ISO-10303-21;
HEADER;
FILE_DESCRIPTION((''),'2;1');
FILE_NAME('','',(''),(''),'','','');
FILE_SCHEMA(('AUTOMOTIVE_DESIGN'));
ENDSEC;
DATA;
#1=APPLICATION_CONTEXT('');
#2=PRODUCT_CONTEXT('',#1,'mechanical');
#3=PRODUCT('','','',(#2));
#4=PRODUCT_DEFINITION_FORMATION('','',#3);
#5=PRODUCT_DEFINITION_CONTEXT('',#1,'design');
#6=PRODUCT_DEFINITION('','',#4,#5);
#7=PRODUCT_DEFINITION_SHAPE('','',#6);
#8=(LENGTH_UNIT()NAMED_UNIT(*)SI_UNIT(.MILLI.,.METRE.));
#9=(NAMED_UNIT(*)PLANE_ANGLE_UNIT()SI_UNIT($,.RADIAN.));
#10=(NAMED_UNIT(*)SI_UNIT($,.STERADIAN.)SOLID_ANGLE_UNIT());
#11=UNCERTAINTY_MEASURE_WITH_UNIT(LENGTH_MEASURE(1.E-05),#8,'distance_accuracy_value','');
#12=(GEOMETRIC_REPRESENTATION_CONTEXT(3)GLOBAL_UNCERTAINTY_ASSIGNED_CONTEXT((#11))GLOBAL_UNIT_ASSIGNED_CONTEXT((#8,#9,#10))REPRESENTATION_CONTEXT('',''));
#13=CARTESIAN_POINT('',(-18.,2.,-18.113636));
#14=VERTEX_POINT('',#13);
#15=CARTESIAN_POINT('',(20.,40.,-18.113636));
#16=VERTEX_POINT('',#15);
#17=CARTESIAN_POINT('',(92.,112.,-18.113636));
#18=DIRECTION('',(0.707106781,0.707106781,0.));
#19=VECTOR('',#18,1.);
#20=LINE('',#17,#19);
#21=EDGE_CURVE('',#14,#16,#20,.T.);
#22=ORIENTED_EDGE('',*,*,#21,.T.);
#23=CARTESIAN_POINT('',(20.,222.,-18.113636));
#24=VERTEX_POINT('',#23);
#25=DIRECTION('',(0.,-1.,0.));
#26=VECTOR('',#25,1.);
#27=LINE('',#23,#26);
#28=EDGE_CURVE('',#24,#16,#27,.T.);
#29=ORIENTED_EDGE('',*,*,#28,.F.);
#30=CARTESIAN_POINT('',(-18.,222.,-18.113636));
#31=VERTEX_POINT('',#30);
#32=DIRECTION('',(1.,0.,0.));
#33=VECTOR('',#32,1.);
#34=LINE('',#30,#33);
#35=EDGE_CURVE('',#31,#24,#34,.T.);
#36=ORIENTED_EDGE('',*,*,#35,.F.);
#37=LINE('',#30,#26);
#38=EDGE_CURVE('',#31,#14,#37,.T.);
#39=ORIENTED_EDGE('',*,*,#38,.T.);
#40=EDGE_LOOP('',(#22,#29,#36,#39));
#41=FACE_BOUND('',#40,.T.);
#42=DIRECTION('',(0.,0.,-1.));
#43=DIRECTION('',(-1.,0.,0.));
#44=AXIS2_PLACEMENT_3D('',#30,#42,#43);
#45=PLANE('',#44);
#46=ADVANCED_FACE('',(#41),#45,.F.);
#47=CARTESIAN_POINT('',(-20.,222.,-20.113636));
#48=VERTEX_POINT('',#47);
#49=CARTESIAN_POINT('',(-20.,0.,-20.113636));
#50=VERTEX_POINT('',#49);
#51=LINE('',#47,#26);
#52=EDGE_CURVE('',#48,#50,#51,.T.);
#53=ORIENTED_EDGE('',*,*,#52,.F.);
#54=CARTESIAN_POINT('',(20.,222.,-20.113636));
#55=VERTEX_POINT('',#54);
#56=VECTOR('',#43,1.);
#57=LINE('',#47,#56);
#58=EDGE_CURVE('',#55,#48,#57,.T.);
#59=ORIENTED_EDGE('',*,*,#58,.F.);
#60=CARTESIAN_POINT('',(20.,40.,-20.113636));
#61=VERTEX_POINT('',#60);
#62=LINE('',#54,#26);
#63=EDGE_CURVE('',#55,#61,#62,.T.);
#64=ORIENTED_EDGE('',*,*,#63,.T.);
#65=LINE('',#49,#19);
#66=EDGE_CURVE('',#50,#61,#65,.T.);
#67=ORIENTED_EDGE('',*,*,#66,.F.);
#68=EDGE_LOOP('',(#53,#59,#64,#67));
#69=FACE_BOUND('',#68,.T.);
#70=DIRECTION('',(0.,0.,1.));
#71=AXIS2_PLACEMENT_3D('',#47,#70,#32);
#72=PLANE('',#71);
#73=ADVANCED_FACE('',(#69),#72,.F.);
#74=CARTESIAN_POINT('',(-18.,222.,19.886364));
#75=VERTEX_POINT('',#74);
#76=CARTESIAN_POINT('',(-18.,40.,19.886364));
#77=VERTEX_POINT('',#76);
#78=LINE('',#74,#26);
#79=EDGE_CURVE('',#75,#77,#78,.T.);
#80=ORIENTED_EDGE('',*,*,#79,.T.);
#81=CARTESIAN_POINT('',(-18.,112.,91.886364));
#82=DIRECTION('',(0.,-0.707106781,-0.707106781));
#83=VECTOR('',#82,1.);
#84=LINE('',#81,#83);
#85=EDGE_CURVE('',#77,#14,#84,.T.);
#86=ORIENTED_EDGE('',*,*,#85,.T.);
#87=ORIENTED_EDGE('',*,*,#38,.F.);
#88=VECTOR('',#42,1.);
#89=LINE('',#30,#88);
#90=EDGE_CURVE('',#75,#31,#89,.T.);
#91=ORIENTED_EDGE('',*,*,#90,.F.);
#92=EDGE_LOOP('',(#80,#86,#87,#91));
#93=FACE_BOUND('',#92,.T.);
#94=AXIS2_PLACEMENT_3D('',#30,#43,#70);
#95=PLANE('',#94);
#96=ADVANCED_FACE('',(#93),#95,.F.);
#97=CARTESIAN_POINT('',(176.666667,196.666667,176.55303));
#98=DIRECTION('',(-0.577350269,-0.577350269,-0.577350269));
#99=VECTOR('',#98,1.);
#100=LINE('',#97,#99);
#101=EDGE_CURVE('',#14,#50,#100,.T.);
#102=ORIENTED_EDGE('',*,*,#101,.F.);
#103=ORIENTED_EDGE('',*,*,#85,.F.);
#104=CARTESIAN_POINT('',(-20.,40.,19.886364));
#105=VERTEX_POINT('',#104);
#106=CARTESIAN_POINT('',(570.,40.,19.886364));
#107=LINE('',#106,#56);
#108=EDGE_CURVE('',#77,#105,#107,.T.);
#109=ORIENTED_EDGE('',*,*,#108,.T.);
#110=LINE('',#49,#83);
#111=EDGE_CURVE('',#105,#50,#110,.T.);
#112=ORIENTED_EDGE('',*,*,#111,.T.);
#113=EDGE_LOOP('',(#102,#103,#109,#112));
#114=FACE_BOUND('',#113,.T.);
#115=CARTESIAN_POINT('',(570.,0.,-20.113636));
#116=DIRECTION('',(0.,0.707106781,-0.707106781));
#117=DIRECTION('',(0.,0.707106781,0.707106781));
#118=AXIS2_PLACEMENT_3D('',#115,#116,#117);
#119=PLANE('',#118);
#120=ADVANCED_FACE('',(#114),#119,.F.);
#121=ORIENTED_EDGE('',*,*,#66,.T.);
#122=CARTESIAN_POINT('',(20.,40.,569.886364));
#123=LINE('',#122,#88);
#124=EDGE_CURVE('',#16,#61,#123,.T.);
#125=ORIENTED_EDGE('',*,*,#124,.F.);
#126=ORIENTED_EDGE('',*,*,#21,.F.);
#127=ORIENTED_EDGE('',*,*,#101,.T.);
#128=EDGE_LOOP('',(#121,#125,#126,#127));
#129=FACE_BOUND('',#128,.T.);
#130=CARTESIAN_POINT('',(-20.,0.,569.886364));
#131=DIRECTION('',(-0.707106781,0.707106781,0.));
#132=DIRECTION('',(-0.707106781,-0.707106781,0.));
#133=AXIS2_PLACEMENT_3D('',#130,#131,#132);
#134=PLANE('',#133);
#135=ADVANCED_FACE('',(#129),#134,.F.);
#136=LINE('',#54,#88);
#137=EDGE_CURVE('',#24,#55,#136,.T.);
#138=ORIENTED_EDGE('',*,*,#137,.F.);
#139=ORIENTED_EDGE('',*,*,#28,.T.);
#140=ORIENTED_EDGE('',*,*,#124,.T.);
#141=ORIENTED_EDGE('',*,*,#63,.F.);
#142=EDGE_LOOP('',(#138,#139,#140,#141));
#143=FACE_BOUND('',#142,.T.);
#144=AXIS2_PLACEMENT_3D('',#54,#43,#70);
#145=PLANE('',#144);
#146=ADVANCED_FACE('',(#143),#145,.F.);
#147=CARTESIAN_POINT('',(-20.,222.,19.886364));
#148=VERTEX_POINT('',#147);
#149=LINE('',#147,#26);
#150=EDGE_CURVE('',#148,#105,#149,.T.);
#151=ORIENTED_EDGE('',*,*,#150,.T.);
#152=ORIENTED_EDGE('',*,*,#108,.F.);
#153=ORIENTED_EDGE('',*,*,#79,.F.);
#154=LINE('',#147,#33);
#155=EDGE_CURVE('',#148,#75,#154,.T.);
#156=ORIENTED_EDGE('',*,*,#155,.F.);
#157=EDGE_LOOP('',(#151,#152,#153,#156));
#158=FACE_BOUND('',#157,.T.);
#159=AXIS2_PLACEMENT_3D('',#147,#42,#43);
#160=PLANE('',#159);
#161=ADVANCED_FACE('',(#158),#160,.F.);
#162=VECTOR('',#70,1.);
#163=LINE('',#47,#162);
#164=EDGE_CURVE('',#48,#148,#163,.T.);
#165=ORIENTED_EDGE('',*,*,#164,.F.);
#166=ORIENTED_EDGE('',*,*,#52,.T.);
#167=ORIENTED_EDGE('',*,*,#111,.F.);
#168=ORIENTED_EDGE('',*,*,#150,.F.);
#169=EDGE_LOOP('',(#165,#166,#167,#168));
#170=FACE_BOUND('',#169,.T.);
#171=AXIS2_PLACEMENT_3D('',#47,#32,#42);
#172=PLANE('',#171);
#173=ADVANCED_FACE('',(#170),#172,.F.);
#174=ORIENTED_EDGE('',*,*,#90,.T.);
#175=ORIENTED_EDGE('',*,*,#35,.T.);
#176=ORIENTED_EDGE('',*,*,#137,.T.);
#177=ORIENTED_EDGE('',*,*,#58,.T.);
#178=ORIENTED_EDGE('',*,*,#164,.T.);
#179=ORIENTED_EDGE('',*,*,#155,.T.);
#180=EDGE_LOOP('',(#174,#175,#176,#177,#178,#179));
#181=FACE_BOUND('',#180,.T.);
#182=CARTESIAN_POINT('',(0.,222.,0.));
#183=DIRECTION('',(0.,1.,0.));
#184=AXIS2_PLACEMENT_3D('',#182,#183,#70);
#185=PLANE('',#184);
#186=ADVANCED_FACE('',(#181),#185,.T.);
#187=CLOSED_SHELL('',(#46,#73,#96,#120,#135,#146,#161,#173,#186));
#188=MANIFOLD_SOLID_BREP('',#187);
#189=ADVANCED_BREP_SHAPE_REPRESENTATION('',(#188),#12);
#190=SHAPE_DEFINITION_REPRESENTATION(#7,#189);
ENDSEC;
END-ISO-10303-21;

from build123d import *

# Parameters (mm, degrees)
BOSS_EXTRU_1_DEPTH      = 222
ENL_V_MAT_EXTRU_1_DEPTH = 590
ENL_V_MAT_EXTRU_2_DEPTH = 590


with BuildPart() as part:
    # Esquisse1 → Boss.-Extru.1 (new body)
    with BuildSketch(Plane(origin=(0, 0, 0), x_dir=(1, 0, 0), z_dir=(0, 1, 0))):
        Polygon((-20, 20.113636364), (20, 20.113636364), (20, 18.113636364), (-18, 18.113636364), (-18, -19.886363636), (-20, -19.886363636), align=None)
    extrude(amount=BOSS_EXTRU_1_DEPTH)

    # Esquisse2 → Enlèv. mat.-Extru.1 (cut)
    with BuildSketch(Plane(origin=(0, 0, -20.113636364), x_dir=(-1, 0, 0), z_dir=(0, 0, -1))):
        Polygon((20, 0), (-20, 40), (-20, 0), align=None)
    extrude(amount=-ENL_V_MAT_EXTRU_1_DEPTH, mode=Mode.SUBTRACT)

    # Esquisse3 → Enlèv. mat.-Extru.2 (cut)
    with BuildSketch(Plane.ZY.offset(20)):
        Polygon((-20.113636364, 0), (19.886363636, 40), (19.886363636, 0), align=None)
    extrude(amount=-ENL_V_MAT_EXTRU_2_DEPTH, mode=Mode.SUBTRACT)


solid = part.part
